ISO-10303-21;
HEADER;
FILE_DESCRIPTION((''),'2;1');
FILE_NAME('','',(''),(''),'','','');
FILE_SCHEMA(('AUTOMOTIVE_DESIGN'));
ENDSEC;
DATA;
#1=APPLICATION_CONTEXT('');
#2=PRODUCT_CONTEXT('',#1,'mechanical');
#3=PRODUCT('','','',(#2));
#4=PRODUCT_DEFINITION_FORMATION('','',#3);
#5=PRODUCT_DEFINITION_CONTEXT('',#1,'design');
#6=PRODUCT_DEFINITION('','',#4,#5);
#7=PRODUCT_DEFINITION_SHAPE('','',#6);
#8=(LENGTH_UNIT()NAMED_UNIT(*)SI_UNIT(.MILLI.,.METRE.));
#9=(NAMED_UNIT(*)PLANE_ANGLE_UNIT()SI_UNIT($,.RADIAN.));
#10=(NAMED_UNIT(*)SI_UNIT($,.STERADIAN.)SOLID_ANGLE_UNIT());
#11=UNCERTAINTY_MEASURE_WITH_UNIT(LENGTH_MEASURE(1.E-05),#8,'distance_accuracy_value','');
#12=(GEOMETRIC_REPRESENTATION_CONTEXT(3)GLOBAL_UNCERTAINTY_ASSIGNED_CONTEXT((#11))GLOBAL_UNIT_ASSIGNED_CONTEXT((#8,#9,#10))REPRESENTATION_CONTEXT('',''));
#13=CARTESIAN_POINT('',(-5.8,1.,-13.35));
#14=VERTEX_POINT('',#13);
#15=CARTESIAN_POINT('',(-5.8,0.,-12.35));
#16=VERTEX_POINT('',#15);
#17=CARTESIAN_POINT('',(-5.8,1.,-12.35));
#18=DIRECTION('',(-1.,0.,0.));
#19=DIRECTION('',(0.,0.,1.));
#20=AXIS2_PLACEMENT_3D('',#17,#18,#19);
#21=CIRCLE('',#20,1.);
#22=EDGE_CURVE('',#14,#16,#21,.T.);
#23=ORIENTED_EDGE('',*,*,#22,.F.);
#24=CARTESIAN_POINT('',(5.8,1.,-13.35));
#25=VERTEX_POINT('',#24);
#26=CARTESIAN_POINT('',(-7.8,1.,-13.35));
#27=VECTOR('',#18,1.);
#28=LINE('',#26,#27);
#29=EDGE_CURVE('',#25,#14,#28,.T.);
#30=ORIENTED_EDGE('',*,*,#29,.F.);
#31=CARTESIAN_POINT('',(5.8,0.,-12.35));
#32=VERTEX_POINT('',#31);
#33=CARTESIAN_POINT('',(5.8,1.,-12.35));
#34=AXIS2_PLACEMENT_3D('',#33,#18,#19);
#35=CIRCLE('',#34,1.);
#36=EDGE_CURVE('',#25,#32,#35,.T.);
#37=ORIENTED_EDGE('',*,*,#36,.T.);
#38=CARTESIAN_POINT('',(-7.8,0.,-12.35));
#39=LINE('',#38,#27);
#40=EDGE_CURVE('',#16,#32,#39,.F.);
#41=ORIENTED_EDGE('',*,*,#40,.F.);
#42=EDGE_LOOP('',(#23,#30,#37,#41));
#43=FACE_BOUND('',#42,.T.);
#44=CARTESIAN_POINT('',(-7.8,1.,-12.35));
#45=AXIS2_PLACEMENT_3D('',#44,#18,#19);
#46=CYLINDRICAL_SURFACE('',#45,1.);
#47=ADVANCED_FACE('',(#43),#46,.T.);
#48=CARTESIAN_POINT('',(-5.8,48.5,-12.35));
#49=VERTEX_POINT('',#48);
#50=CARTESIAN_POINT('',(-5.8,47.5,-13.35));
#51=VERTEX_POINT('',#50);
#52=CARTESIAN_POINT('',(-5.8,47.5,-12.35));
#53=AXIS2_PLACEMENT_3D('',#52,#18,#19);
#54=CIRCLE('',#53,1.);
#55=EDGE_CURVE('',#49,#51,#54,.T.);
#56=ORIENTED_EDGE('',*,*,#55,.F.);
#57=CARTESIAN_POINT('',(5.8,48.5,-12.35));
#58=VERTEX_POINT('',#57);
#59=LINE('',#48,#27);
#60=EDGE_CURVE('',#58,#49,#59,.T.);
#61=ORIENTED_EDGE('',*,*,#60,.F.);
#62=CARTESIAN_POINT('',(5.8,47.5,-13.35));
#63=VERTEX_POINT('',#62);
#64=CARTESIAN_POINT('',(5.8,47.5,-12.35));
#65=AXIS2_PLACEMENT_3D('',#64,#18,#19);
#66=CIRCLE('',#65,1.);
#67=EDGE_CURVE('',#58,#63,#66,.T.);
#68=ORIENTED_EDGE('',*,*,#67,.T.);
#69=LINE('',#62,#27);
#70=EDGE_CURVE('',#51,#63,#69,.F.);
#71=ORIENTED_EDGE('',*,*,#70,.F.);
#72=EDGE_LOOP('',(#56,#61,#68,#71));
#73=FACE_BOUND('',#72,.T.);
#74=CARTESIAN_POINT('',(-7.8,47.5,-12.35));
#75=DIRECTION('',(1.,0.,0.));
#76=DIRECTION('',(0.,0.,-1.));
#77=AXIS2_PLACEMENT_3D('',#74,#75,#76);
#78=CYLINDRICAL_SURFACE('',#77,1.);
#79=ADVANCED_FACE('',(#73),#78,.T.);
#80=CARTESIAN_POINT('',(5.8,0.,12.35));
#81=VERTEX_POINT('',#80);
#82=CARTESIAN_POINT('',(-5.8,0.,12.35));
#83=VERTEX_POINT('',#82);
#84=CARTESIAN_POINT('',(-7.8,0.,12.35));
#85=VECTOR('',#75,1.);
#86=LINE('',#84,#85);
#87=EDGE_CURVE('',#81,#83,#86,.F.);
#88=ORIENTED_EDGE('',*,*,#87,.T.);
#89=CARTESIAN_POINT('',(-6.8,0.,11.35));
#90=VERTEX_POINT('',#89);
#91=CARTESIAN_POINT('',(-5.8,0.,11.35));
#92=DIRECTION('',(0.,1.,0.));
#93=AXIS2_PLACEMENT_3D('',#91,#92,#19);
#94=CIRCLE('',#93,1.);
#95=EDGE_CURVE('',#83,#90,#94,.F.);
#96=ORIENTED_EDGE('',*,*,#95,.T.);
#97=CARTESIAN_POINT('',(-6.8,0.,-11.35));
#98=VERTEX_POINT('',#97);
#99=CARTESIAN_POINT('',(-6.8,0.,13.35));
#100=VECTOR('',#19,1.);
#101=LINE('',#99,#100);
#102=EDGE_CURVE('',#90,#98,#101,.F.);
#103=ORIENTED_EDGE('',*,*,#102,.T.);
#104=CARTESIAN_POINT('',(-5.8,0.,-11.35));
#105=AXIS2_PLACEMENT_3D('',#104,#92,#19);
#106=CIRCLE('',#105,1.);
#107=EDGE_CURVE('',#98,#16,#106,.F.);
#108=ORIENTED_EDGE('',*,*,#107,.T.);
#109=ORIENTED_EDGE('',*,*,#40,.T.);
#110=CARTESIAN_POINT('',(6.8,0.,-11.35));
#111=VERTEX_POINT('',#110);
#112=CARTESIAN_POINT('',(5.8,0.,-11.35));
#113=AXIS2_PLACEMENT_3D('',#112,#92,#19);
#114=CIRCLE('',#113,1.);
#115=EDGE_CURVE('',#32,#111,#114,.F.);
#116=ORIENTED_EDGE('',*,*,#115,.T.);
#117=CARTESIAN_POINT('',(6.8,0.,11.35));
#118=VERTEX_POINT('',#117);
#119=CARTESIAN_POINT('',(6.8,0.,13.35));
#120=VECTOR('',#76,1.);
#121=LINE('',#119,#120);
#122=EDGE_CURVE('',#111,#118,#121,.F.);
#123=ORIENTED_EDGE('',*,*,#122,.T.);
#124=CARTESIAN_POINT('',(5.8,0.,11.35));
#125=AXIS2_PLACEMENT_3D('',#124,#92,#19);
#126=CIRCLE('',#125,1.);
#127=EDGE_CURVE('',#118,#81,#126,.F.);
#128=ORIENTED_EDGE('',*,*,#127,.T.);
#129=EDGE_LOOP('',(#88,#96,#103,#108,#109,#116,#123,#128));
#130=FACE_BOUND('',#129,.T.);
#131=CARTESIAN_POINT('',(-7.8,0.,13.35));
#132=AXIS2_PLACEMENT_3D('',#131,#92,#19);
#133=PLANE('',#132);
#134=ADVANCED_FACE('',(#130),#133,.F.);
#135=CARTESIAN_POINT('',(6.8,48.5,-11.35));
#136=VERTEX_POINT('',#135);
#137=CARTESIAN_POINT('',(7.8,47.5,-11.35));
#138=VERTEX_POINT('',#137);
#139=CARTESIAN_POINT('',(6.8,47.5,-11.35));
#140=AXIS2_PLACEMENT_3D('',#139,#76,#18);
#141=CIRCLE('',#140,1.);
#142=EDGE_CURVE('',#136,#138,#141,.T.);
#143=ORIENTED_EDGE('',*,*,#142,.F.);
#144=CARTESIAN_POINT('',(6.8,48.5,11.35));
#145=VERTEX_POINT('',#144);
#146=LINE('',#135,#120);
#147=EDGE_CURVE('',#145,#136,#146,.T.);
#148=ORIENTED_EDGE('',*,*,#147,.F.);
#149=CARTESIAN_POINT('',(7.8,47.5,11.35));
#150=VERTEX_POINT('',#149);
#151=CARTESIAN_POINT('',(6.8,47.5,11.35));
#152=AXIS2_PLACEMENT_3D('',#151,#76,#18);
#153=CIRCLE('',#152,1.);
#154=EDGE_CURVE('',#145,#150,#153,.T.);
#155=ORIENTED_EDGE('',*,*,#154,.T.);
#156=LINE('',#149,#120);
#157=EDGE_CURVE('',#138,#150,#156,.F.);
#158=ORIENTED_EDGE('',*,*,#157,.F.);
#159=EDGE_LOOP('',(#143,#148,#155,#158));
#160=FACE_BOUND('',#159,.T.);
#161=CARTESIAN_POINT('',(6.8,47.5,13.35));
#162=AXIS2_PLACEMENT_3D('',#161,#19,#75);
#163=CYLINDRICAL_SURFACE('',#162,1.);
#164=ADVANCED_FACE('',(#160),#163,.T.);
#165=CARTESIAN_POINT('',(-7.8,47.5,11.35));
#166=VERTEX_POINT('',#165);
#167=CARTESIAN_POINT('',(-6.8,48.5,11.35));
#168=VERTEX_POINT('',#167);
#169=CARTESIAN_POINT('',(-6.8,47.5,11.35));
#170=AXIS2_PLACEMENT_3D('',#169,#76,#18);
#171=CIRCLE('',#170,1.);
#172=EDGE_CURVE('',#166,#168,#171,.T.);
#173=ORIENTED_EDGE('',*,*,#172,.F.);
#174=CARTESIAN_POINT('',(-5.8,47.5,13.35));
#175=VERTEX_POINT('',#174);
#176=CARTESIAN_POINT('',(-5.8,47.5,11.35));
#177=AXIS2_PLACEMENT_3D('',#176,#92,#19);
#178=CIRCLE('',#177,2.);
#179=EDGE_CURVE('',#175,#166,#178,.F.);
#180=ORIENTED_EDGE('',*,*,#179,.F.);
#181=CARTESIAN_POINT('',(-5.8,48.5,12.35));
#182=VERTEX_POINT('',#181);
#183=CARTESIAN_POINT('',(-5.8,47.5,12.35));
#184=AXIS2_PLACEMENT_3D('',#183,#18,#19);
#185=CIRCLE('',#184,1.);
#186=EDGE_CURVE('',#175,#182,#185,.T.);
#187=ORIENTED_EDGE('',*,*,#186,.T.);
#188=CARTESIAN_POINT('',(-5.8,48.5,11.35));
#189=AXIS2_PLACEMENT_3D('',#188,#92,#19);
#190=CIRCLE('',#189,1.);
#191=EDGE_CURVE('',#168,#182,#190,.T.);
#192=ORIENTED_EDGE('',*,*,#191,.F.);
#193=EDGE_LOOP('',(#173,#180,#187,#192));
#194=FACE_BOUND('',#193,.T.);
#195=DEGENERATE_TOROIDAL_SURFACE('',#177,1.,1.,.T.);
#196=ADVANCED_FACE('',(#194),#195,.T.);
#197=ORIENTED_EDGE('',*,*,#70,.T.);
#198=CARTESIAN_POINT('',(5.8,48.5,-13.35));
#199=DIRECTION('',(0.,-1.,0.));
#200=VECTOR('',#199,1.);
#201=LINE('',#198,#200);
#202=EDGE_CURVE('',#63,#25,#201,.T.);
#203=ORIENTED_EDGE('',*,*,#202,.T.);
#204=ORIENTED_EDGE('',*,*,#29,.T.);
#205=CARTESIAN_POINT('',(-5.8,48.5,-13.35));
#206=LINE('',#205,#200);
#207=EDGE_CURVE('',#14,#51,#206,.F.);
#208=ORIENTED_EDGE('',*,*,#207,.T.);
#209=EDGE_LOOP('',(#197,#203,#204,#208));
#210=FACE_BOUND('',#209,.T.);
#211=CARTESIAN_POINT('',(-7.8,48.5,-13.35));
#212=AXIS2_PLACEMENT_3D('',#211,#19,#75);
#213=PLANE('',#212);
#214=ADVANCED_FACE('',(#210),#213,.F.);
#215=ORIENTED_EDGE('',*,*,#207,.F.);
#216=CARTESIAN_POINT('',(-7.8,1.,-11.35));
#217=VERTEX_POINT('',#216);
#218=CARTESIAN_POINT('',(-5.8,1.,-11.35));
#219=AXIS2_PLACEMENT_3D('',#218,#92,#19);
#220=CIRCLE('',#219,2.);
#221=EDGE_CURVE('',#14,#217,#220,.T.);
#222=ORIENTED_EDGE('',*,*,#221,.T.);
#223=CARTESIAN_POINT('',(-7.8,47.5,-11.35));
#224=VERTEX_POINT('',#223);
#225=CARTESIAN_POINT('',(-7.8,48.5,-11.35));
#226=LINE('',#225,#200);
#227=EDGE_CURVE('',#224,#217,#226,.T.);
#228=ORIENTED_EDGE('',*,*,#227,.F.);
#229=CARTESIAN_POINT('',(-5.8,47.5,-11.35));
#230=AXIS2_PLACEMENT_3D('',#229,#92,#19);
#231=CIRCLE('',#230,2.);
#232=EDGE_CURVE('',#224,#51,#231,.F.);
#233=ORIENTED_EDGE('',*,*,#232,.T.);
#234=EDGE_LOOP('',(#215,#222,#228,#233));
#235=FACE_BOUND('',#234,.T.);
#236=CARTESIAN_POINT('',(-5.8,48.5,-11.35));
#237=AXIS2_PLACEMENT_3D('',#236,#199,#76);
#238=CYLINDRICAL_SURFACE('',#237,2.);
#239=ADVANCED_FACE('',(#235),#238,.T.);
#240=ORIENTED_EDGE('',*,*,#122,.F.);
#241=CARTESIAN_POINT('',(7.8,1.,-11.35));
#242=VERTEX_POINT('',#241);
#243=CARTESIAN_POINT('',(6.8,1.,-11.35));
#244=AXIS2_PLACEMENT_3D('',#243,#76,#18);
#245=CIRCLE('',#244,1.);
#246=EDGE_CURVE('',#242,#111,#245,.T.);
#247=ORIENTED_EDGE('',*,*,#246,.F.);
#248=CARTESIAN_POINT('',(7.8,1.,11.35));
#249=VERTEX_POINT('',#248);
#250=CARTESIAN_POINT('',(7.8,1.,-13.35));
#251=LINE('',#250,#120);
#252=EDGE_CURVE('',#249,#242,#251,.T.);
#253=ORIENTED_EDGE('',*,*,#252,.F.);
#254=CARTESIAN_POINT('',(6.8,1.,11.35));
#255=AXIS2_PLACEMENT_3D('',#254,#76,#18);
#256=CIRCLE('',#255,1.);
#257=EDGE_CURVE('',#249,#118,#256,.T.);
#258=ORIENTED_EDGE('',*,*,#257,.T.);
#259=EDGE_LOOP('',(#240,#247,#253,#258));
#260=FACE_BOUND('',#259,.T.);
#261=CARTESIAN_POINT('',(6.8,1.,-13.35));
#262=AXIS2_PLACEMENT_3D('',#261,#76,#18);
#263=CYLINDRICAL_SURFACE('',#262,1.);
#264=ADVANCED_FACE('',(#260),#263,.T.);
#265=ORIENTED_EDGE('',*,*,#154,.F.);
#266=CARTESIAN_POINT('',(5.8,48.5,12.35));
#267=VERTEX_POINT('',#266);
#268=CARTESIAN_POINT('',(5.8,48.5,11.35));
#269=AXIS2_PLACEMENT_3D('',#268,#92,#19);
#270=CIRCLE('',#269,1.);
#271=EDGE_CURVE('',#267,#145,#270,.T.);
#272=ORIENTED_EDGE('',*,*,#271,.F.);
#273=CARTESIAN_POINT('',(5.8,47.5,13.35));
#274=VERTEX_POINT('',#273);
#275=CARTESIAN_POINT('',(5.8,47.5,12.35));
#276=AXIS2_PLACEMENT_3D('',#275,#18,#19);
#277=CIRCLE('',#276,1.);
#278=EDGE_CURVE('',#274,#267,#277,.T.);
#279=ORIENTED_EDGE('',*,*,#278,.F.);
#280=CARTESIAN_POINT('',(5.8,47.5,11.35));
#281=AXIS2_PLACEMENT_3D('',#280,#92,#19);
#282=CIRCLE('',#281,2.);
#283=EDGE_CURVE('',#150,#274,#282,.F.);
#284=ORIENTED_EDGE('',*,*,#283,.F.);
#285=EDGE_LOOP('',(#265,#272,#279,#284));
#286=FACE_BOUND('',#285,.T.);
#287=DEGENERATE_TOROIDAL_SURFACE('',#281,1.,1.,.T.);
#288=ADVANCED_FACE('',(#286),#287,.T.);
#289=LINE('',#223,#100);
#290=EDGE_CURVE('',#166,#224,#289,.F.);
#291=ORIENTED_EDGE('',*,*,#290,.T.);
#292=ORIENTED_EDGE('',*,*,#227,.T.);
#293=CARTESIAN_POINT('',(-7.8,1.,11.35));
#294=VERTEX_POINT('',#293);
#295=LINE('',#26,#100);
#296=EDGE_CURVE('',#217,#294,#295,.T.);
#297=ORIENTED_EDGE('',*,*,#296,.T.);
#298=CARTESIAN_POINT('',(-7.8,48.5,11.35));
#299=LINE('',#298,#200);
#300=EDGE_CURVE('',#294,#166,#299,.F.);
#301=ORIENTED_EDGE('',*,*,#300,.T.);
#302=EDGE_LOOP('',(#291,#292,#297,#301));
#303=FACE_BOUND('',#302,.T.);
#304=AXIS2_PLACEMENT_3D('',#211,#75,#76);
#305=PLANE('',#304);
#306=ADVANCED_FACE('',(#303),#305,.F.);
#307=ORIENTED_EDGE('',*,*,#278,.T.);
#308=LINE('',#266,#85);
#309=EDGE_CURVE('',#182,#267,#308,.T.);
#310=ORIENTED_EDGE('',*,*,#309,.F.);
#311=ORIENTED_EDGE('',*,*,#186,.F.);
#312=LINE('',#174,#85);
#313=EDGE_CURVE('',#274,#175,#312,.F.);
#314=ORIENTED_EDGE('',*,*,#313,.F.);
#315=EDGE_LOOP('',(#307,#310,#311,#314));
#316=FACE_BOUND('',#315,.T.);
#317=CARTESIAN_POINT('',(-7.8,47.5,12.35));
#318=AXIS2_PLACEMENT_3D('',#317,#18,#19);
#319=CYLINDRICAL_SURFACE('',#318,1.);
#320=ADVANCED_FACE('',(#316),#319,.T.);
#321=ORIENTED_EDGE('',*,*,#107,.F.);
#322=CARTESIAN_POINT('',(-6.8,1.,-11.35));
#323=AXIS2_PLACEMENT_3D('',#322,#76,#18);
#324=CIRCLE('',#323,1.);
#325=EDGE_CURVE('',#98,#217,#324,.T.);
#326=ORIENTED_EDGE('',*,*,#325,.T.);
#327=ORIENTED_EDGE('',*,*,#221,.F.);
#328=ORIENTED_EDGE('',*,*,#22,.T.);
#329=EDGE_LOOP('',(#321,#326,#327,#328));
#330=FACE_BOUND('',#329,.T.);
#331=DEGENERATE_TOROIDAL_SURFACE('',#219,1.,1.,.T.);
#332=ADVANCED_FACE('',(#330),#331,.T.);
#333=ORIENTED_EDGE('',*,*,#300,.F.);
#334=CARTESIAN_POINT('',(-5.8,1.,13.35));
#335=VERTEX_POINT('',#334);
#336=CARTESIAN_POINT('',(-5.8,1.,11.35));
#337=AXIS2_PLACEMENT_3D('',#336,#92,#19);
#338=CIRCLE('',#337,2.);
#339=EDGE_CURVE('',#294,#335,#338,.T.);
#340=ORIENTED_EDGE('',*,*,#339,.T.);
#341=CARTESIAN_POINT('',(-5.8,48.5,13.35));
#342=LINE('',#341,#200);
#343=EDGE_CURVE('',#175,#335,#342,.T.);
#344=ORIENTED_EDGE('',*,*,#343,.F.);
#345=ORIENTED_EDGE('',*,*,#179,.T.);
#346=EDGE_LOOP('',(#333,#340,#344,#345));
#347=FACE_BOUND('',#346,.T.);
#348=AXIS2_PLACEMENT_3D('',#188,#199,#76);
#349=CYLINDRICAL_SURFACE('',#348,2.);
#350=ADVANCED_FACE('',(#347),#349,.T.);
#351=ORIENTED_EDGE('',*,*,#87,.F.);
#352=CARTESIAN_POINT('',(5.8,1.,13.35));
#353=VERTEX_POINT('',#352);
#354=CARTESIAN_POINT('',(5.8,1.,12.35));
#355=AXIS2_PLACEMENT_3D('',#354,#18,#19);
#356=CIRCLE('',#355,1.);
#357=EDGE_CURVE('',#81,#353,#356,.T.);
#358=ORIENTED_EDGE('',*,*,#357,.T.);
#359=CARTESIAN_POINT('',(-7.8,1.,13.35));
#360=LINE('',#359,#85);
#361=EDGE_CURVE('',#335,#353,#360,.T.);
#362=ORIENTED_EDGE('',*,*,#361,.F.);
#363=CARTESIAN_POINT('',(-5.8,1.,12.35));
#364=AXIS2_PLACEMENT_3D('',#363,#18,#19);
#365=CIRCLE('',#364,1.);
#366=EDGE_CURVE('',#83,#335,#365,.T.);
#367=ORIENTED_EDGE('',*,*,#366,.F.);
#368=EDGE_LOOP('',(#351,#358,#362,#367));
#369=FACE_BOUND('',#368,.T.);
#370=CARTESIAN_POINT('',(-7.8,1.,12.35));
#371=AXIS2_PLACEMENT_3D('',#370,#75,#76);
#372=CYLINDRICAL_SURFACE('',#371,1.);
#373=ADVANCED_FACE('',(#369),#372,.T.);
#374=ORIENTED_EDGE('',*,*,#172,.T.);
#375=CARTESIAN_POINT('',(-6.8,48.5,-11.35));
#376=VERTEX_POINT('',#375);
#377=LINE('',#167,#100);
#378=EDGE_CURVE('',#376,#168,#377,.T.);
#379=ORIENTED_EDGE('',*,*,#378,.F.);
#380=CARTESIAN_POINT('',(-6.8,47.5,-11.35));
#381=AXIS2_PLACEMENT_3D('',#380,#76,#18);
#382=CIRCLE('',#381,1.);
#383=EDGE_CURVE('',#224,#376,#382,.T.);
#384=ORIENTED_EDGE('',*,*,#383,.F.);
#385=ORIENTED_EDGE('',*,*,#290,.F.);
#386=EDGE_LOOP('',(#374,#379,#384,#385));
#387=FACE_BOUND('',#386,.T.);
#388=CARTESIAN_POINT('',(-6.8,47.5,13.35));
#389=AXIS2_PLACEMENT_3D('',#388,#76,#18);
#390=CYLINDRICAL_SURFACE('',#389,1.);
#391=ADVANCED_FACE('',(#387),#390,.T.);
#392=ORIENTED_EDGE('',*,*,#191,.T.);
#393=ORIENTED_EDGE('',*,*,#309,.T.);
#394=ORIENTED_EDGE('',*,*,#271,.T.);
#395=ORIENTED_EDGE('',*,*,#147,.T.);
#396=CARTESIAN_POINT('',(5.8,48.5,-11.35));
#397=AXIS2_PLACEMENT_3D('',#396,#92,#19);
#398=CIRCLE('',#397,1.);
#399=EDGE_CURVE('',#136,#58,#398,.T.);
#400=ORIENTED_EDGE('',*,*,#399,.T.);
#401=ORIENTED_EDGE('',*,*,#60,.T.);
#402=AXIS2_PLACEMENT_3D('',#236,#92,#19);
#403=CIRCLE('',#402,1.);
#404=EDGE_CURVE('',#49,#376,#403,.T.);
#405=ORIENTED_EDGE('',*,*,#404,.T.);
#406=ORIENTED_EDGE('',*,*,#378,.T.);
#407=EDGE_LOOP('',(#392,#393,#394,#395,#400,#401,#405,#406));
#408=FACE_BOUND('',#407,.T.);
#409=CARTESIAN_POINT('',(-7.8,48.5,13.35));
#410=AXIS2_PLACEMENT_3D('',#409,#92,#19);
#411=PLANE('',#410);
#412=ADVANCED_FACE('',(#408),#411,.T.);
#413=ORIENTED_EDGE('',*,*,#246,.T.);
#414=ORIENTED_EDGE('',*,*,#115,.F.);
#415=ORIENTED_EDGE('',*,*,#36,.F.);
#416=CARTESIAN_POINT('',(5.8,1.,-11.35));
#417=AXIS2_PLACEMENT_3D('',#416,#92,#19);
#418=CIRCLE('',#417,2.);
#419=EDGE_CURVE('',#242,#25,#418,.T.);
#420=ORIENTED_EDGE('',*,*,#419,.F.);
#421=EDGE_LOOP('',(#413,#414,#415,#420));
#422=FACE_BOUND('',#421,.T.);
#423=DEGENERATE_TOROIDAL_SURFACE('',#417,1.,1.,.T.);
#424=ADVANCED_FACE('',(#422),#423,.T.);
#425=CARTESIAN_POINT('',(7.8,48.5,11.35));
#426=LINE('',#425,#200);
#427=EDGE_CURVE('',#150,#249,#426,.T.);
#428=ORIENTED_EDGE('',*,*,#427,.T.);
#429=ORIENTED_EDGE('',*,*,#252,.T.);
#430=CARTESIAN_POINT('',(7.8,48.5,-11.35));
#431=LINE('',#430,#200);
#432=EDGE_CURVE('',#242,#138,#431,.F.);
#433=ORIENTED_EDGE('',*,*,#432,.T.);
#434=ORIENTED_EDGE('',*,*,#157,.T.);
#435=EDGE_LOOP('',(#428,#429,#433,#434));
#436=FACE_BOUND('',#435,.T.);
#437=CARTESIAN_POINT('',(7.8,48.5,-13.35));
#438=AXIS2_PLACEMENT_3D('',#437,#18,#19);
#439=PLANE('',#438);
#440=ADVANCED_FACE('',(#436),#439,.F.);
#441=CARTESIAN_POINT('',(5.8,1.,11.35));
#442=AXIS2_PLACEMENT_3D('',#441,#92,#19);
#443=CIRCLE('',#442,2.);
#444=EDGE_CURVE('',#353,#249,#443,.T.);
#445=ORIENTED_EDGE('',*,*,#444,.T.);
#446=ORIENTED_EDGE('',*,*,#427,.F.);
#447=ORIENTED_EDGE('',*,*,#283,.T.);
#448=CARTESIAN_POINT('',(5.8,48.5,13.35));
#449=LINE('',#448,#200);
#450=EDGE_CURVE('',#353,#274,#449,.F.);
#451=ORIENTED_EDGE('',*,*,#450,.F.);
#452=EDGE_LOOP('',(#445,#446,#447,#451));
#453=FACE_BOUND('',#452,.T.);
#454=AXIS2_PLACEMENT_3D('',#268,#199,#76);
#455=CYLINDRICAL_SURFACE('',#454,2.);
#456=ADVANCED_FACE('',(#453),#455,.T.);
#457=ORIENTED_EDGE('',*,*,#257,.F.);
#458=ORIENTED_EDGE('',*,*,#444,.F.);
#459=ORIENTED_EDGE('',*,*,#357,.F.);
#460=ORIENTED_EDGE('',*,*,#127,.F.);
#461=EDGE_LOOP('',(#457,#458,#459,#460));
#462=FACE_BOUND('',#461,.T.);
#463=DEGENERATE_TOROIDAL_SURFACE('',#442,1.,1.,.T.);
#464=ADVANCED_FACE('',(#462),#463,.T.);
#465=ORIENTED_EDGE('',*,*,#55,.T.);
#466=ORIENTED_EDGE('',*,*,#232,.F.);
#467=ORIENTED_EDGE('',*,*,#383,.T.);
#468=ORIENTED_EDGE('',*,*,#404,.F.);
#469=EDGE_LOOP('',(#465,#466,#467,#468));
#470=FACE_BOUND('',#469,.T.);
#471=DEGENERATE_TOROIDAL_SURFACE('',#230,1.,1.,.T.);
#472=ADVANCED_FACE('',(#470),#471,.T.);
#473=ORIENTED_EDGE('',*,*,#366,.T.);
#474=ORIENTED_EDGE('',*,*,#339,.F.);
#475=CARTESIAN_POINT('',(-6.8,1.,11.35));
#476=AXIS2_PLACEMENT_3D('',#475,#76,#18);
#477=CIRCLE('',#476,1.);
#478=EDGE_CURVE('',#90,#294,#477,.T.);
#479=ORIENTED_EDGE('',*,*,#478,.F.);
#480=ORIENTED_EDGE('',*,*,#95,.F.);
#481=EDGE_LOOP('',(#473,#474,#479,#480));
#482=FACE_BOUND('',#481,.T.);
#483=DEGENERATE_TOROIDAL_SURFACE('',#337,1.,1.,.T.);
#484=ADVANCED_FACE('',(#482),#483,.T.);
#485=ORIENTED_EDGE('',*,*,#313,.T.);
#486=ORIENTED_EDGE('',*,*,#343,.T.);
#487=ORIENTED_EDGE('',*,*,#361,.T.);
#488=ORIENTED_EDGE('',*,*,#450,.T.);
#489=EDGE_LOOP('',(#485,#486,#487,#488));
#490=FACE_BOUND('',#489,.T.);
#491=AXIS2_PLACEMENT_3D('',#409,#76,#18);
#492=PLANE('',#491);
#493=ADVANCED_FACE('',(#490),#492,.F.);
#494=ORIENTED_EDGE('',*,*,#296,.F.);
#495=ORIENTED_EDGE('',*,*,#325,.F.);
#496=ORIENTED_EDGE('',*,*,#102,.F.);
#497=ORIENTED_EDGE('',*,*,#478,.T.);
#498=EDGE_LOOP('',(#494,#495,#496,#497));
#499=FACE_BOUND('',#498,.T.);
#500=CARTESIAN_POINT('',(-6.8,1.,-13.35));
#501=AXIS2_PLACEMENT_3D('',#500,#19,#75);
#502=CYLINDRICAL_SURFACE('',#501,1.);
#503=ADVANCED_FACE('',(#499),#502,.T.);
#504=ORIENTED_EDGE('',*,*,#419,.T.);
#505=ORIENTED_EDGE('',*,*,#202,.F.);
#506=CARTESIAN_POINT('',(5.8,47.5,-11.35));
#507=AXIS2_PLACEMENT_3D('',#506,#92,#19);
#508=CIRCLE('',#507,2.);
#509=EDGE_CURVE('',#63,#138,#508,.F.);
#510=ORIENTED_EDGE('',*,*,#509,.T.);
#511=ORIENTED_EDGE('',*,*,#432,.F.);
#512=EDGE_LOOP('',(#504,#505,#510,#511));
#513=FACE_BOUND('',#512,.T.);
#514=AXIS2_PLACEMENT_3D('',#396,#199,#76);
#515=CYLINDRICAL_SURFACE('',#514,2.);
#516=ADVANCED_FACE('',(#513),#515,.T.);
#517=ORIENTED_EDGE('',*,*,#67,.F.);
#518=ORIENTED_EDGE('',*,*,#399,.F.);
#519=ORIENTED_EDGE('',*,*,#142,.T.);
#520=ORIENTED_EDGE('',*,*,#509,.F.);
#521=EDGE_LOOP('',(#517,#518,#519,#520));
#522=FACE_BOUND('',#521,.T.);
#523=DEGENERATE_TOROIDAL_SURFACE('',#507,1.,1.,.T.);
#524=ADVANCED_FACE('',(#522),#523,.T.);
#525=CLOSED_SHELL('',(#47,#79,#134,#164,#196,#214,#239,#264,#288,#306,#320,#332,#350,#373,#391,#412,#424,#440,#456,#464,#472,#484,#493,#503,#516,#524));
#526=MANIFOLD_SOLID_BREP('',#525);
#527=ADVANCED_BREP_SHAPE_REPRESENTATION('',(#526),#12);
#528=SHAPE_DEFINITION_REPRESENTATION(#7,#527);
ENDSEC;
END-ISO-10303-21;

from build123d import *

# Parameters (mm, degrees)
SKETCH1_W      = 15.6
SKETCH1_H      = 26.7
EXTRUDE1_DEPTH = 48.5
FILLET1_R      = 2
FILLET2_R      = 1


with BuildPart() as part:
    # Sketch1 → Extrude1 (new body)
    with BuildSketch(Plane(origin=(0, 0, 0), x_dir=(1, 0, 0), z_dir=(0, 1, 0))):
        Rectangle(SKETCH1_W, SKETCH1_H)
    extrude(amount=EXTRUDE1_DEPTH)

    # Fillet1
    fillet1_edges = [part.edges().sort_by_distance(p)[0] for p in [
        (-7.8, 24.25, -13.35),
        (7.8, 24.25, -13.35),
        (7.8, 24.25, 13.35),
        (-7.8, 24.25, 13.35),
    ]]
    fillet(fillet1_edges, radius=FILLET1_R)

    # Fillet2
    fillet2_edges = [part.edges().sort_by_distance(p)[0] for p in [
        (0, 0, 13.35),
        (0, 48.5, 13.35),
        (-7.8, 0, 0),
        (0, 0, -13.35),
        (7.8, 0, 0),
        (7.214213562, 0, 12.764213562),
        (7.214213562, 0, -12.764213562),
        (-7.214213562, 0, -12.764213562),
        (-7.214213562, 0, 12.764213562),
        (-7.8, 48.5, 0),
        (7.8, 48.5, 0),
        (0, 48.5, -13.35),
        (7.214213562, 48.5, 12.764213562),
        (7.214213562, 48.5, -12.764213562),
        (-7.214213562, 48.5, -12.764213562),
        (-7.214213562, 48.5, 12.764213562),
    ]]
    fillet(fillet2_edges, radius=FILLET2_R)


solid = part.part
